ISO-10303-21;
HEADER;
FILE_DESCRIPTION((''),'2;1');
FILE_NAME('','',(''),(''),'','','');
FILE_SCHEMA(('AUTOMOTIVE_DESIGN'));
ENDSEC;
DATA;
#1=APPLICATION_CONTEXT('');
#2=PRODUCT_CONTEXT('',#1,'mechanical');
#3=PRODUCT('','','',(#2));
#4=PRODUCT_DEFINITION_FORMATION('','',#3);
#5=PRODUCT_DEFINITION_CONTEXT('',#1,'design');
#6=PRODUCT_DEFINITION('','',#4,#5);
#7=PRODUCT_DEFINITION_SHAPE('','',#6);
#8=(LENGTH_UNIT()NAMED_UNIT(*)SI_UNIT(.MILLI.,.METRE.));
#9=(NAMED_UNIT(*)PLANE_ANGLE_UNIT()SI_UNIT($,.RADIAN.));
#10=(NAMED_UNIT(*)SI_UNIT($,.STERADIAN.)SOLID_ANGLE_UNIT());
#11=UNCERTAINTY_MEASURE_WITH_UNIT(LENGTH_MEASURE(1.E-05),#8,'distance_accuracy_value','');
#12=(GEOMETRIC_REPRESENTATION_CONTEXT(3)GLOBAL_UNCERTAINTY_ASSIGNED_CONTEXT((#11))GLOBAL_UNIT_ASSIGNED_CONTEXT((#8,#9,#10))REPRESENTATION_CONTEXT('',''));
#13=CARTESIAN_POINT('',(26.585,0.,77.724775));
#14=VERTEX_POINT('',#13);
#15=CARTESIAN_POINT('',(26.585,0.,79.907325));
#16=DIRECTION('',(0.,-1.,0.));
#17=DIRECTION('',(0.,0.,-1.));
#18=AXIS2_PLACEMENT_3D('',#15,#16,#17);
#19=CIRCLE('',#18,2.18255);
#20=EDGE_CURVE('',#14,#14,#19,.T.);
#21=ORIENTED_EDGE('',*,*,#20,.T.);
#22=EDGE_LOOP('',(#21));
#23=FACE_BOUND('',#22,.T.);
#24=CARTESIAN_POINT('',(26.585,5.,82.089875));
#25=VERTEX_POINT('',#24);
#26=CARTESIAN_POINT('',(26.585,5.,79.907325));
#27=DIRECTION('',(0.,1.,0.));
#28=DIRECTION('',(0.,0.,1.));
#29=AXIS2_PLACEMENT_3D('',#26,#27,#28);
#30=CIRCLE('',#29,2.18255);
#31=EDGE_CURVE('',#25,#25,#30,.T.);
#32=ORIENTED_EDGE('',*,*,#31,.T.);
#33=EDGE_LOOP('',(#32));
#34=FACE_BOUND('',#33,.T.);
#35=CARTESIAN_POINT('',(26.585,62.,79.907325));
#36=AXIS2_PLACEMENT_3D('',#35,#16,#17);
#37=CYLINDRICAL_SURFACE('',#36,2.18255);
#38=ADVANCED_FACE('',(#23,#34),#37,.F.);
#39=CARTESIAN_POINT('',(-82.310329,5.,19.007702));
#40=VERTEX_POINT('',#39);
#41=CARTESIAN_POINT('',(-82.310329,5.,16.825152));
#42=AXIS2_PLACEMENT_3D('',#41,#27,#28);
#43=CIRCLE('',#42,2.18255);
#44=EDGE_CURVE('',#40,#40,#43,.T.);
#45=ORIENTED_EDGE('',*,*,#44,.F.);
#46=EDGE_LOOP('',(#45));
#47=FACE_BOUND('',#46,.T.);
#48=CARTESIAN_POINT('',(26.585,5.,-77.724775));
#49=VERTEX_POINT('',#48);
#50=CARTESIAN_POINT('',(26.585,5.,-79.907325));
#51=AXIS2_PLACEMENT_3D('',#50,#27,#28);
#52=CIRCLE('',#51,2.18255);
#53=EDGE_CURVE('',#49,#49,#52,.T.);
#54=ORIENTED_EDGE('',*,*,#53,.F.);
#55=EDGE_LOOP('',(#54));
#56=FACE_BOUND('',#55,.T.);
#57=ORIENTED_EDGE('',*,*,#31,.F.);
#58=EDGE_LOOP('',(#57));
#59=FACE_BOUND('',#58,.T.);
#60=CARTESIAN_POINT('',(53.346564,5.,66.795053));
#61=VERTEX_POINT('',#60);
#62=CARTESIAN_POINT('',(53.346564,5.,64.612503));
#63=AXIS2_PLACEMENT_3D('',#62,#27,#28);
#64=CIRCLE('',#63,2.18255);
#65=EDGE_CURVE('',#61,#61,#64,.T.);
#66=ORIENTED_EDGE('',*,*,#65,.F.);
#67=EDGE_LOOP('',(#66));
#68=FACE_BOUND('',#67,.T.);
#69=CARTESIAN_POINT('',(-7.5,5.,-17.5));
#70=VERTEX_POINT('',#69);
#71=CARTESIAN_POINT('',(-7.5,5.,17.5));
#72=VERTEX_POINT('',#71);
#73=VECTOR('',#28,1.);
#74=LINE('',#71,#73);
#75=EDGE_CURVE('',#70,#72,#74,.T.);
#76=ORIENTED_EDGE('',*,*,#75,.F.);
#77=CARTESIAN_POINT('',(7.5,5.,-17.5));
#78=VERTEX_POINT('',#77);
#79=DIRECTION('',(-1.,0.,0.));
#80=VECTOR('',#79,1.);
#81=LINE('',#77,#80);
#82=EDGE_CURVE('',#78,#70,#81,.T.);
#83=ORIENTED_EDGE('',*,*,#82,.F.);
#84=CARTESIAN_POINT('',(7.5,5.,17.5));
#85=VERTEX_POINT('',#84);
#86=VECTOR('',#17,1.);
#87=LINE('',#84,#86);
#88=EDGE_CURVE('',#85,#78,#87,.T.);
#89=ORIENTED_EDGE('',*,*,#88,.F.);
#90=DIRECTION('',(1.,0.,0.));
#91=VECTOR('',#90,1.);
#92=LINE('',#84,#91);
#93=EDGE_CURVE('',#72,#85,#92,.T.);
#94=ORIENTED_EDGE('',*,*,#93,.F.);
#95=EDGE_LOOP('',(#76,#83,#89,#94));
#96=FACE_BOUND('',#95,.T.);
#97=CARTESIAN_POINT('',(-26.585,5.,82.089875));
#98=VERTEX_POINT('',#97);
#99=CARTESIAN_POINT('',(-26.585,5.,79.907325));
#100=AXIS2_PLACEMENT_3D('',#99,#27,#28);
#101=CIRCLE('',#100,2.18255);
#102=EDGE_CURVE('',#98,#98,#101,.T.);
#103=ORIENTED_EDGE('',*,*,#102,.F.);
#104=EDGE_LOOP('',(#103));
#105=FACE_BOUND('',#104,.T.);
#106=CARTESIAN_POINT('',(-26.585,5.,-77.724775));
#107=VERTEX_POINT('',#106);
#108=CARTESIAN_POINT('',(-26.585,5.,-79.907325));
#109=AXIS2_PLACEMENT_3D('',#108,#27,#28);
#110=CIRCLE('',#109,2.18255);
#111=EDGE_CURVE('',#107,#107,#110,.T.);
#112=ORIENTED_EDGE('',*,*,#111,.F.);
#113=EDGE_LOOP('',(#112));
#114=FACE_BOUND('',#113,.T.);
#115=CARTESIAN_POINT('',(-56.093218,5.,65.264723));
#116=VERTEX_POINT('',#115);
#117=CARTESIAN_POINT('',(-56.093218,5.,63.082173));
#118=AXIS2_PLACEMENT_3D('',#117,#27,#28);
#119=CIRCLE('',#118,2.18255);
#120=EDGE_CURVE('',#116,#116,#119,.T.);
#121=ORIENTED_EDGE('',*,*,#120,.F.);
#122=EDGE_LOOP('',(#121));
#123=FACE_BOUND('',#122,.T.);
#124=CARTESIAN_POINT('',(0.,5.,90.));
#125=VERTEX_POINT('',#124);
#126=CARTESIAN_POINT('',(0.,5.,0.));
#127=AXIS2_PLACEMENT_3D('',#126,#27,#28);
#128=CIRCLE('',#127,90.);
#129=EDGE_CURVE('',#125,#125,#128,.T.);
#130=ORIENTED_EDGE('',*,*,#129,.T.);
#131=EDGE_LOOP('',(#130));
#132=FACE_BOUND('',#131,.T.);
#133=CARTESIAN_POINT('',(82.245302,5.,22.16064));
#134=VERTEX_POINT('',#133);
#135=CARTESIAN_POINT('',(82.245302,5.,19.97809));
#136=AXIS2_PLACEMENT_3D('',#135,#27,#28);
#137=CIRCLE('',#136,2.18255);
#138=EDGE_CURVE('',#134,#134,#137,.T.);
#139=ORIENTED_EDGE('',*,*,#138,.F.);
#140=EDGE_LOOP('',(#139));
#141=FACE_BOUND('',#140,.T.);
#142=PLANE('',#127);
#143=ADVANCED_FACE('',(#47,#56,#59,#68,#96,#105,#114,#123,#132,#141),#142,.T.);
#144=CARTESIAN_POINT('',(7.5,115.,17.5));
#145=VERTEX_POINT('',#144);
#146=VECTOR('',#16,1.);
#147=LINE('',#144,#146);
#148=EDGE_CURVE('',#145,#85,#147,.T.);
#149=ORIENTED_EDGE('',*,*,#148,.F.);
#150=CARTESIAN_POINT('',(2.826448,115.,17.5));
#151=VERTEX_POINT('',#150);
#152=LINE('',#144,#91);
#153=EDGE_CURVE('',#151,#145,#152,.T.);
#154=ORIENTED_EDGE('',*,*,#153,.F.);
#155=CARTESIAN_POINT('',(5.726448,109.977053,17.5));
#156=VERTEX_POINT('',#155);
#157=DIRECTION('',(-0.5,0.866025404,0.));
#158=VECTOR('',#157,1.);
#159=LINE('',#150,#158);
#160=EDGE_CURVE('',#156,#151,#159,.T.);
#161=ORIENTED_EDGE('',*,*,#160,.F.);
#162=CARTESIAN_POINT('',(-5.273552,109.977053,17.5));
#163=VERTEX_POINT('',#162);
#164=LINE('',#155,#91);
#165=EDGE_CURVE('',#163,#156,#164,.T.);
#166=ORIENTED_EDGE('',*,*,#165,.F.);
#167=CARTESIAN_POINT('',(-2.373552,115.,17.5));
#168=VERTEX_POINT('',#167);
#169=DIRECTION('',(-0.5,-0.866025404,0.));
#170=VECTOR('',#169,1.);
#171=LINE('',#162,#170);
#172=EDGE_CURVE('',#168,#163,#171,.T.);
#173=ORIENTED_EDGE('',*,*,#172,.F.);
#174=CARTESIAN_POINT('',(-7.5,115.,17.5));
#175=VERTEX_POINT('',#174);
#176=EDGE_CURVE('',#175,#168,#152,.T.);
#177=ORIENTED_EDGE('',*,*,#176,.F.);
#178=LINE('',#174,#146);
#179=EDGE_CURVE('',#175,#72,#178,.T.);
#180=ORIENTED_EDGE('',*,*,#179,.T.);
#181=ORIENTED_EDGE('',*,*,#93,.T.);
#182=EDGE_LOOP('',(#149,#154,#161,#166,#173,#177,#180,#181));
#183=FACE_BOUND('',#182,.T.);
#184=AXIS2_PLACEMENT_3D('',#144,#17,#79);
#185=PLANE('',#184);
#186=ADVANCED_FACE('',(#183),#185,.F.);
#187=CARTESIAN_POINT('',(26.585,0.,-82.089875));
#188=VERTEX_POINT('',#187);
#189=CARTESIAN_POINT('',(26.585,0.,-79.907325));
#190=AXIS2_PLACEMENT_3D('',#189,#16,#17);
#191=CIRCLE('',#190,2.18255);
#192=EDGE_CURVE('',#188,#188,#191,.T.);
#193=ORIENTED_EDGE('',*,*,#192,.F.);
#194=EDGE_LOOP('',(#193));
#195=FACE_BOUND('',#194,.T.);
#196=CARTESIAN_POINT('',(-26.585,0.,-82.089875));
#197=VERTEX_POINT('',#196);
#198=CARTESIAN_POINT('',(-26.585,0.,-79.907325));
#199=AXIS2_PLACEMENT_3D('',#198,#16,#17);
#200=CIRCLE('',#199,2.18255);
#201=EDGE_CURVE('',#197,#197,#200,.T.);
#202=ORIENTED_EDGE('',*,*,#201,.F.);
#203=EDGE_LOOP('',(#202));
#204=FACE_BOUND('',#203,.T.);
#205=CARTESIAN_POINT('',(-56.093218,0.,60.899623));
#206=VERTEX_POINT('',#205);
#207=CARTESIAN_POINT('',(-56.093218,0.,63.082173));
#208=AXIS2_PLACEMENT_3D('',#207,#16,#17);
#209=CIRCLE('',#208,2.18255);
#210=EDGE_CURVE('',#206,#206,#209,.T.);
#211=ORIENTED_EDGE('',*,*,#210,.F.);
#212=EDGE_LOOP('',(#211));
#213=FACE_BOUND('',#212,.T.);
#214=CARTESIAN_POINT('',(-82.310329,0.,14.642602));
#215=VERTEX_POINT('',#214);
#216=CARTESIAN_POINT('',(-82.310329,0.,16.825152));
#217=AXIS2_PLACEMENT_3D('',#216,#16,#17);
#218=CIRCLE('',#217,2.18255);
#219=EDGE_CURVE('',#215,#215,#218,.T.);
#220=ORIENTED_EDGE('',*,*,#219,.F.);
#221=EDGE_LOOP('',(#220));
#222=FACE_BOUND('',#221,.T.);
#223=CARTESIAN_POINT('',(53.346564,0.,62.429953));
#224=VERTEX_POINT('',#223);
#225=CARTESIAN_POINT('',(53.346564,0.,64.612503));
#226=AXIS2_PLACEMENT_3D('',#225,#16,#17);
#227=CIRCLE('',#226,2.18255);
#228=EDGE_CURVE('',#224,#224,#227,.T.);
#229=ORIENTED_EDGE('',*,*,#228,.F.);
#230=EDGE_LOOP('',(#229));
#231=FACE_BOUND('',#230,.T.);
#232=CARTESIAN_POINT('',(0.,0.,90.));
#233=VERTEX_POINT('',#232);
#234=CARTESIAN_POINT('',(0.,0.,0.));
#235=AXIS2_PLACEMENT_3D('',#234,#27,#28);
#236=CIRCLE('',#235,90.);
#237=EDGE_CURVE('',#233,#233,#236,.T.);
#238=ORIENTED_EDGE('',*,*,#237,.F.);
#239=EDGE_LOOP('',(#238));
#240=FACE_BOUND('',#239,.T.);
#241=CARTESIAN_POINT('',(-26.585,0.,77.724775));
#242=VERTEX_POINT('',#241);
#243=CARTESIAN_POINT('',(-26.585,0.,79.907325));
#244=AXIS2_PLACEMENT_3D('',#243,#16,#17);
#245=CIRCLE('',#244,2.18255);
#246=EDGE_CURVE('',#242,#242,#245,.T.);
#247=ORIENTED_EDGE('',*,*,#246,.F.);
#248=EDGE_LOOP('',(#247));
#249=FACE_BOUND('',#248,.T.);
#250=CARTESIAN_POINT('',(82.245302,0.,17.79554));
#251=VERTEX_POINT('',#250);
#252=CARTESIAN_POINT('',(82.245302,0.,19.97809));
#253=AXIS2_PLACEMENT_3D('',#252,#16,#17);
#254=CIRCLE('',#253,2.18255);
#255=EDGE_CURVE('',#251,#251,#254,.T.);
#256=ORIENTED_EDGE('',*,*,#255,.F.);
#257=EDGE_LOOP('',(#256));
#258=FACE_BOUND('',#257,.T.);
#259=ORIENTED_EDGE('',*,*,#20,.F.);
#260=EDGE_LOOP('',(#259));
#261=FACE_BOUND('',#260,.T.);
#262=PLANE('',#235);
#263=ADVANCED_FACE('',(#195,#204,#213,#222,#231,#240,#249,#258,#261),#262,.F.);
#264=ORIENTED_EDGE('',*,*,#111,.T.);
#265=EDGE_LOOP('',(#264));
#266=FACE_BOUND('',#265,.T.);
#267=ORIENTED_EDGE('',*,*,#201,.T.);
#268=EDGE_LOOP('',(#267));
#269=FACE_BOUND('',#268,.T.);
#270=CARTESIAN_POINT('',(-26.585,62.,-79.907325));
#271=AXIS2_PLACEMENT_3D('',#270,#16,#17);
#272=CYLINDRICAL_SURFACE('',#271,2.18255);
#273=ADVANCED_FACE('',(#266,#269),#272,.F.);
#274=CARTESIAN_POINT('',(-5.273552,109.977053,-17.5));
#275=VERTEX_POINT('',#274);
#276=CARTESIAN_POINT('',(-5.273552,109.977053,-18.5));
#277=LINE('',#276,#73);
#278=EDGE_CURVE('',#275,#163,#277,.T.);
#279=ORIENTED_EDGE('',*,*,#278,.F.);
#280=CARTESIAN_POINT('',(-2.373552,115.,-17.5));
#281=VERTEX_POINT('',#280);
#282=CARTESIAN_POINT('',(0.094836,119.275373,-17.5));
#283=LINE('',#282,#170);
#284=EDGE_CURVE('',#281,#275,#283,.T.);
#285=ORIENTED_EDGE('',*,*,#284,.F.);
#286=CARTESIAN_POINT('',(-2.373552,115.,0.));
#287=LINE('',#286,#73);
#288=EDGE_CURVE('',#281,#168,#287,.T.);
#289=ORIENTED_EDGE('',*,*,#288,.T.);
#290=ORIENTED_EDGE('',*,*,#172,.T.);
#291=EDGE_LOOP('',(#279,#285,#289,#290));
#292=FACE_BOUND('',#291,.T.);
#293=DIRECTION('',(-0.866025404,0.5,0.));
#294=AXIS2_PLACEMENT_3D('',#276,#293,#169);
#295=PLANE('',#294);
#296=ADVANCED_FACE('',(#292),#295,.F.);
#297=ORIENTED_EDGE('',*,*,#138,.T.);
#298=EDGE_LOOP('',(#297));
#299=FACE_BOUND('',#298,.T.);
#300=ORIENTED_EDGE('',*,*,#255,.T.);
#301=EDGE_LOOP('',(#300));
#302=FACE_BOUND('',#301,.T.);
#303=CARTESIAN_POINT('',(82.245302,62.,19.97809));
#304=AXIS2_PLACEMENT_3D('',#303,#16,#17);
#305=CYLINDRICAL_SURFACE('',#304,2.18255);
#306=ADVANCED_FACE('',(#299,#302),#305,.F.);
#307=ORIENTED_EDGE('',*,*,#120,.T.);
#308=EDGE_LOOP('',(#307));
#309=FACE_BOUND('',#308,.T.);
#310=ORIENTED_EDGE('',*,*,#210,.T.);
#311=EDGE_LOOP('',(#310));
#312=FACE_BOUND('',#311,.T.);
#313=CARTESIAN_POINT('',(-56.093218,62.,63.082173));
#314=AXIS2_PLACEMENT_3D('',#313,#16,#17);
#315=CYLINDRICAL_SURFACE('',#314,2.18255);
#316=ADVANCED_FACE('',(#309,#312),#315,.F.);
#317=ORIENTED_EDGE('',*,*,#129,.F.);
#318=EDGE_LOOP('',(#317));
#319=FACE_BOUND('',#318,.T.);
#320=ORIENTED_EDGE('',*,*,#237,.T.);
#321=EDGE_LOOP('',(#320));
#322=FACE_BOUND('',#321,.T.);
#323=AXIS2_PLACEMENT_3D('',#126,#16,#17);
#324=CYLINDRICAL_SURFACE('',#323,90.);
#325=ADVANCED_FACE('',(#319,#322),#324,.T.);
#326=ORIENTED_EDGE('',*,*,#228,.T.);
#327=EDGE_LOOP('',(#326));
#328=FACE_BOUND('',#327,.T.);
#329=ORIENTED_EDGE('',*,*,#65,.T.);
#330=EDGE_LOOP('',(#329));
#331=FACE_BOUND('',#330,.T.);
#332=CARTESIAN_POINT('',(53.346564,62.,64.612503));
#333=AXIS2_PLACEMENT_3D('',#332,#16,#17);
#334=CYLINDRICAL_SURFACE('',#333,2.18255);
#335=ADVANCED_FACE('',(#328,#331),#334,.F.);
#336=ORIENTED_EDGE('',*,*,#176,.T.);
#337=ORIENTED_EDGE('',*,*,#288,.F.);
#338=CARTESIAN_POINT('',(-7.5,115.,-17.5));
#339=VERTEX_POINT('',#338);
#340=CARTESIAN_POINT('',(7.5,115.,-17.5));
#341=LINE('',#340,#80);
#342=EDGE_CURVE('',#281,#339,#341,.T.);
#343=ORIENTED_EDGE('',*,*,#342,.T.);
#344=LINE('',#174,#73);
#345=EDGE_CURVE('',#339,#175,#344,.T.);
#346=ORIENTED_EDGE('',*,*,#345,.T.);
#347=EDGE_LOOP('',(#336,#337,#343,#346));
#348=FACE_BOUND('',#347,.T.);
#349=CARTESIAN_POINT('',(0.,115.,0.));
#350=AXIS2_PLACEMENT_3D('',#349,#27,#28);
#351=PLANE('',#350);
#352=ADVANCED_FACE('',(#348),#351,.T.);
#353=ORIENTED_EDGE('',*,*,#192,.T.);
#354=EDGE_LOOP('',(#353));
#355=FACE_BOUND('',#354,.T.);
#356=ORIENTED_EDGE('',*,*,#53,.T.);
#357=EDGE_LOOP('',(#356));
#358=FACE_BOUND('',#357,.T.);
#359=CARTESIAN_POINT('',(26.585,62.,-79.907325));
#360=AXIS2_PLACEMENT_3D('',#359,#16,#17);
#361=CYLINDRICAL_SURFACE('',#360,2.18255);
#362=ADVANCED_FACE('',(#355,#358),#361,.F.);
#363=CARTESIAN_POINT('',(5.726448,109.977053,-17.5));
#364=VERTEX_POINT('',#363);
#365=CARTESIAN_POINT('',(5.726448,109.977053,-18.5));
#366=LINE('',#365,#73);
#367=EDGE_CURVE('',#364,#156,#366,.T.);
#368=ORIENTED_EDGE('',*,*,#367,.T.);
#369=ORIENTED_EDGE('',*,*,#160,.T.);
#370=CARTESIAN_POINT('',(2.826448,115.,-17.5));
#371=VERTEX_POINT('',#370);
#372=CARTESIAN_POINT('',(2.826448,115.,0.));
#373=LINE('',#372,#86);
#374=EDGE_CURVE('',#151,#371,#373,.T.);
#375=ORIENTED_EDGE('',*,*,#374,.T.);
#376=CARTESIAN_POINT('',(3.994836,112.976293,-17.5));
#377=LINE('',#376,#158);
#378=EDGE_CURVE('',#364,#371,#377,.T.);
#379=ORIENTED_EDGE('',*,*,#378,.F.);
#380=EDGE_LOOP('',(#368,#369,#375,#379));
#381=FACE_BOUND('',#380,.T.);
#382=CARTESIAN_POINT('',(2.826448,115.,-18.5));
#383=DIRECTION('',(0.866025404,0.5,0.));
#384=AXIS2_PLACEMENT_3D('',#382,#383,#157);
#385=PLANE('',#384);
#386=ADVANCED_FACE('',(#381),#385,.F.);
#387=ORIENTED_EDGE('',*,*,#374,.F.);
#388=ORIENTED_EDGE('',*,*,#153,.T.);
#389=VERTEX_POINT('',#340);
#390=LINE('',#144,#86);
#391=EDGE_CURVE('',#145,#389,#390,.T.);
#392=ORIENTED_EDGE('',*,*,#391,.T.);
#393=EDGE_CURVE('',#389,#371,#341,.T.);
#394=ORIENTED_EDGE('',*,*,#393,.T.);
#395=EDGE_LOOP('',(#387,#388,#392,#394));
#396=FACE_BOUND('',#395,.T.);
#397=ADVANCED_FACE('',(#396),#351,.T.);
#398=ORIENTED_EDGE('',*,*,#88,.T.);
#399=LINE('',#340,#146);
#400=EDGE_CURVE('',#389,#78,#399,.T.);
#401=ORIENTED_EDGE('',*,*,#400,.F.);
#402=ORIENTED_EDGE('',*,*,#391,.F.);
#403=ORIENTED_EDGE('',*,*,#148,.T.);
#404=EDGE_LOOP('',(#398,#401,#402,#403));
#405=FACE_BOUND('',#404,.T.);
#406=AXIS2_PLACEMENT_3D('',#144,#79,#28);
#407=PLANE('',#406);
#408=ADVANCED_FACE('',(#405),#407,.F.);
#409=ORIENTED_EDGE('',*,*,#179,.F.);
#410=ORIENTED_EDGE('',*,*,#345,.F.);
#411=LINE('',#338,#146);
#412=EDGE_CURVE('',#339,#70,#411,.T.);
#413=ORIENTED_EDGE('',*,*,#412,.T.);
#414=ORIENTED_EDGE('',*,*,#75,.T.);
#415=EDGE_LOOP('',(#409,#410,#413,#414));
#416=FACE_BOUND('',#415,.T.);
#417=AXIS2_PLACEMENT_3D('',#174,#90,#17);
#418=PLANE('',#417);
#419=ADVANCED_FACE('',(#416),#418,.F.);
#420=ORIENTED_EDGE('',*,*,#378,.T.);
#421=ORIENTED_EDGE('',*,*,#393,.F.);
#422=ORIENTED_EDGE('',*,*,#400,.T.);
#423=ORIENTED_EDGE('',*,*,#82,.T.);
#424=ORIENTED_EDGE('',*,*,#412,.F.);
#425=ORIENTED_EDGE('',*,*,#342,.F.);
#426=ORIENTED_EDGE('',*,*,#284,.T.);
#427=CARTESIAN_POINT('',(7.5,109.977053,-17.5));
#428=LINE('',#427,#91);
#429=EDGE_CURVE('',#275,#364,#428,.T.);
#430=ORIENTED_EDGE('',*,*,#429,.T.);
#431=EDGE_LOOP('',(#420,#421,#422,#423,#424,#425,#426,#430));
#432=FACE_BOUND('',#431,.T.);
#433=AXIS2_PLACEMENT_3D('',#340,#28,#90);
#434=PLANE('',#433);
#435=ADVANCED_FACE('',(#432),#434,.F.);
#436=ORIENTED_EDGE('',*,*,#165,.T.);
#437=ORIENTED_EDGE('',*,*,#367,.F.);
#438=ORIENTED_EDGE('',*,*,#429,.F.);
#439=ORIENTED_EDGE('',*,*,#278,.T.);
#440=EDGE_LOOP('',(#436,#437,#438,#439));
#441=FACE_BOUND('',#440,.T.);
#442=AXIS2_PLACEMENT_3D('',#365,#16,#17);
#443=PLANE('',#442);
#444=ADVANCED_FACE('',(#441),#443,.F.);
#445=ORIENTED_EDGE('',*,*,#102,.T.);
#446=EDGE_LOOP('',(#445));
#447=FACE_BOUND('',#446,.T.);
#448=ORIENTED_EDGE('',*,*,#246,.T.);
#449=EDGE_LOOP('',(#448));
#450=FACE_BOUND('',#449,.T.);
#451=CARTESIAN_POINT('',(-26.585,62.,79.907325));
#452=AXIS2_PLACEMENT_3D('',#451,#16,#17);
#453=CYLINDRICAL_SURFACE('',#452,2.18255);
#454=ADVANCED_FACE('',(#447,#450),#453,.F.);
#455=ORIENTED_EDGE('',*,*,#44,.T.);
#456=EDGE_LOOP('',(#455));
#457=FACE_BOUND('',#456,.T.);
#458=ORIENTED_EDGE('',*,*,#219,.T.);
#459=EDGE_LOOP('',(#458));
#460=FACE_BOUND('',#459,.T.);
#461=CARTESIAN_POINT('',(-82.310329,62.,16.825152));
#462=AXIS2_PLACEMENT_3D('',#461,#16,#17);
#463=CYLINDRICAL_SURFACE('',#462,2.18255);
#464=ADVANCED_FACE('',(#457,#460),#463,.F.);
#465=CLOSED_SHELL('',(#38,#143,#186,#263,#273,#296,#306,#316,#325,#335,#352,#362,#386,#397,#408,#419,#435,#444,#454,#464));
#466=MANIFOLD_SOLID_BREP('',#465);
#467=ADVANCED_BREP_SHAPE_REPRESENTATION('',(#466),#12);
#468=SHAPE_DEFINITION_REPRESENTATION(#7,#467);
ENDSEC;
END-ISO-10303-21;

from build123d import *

# Parameters (mm, degrees)
SKETCH1_R           = 90
BOSS_EXTRUDE1_DEPTH = 5
SKETCH2_W           = 15
SKETCH2_H           = 35
BOSS_EXTRUDE2_DEPTH = 110
CUT_EXTRUDE1_DEPTH  = 36
SKETCH4_R           = 2.18255
CUT_EXTRUDE2_DEPTH  = 62


with BuildPart() as part:
    # Sketch1 → Boss-Extrude1 (new body)
    with BuildSketch(Plane(origin=(0, 0, 0), x_dir=(1, 0, 0), z_dir=(0, 1, 0))):
        with Locations(Location((0, 0, 0), (0, 0, 270))):
            Circle(SKETCH1_R)
    extrude(amount=BOSS_EXTRUDE1_DEPTH)

    # Sketch2 → Boss-Extrude2 (add)
    with BuildSketch(Plane(origin=(0, 5, 0), x_dir=(1, 0, 0), z_dir=(0, 1, 0))):
        Rectangle(SKETCH2_W, SKETCH2_H)
    extrude(amount=BOSS_EXTRUDE2_DEPTH)

    # Sketch3 → Cut-Extrude1 (cut)
    with BuildSketch(Plane.XY.offset(17.5)):
        Polygon((-2.373551685, 115), (2.826448315, 115), (5.726448315, 109.977052658), (-5.273551685, 109.977052658), align=None)
    extrude(amount=-CUT_EXTRUDE1_DEPTH, mode=Mode.SUBTRACT)

    # Sketch4 → Cut-Extrude2 (cut)
    with BuildSketch(Plane(origin=(0, 0, 0), x_dir=(-1, 0, 0), z_dir=(0, -1, 0))):
        with Locations(Location((-26.585, 79.907325251, 0), (0, 0, 90))):
            Circle(SKETCH4_R)
        with Locations(Location((26.585, 79.907325251, 0), (0, 0, 90))):
            Circle(SKETCH4_R)
        with Locations(Location((82.310329065, -16.825152102, 0), (0, 0, 90))):
            Circle(SKETCH4_R)
        with Locations(Location((56.093218167, -63.082173149, 0), (0, 0, 90))):
            Circle(SKETCH4_R)
        with Locations(Location((26.585, -79.907325251, 0), (0, 0, 90))):
            Circle(SKETCH4_R)
        with Locations(Location((-26.585, -79.907325251, 0), (0, 0, 90))):
            Circle(SKETCH4_R)
        with Locations(Location((-53.346563788, -64.612502947, 0), (0, 0, 90))):
            Circle(SKETCH4_R)
        with Locations(Location((-82.245302282, -19.978089739, 0), (0, 0, 90))):
            Circle(SKETCH4_R)
    extrude(amount=-CUT_EXTRUDE2_DEPTH, mode=Mode.SUBTRACT)


solid = part.part
